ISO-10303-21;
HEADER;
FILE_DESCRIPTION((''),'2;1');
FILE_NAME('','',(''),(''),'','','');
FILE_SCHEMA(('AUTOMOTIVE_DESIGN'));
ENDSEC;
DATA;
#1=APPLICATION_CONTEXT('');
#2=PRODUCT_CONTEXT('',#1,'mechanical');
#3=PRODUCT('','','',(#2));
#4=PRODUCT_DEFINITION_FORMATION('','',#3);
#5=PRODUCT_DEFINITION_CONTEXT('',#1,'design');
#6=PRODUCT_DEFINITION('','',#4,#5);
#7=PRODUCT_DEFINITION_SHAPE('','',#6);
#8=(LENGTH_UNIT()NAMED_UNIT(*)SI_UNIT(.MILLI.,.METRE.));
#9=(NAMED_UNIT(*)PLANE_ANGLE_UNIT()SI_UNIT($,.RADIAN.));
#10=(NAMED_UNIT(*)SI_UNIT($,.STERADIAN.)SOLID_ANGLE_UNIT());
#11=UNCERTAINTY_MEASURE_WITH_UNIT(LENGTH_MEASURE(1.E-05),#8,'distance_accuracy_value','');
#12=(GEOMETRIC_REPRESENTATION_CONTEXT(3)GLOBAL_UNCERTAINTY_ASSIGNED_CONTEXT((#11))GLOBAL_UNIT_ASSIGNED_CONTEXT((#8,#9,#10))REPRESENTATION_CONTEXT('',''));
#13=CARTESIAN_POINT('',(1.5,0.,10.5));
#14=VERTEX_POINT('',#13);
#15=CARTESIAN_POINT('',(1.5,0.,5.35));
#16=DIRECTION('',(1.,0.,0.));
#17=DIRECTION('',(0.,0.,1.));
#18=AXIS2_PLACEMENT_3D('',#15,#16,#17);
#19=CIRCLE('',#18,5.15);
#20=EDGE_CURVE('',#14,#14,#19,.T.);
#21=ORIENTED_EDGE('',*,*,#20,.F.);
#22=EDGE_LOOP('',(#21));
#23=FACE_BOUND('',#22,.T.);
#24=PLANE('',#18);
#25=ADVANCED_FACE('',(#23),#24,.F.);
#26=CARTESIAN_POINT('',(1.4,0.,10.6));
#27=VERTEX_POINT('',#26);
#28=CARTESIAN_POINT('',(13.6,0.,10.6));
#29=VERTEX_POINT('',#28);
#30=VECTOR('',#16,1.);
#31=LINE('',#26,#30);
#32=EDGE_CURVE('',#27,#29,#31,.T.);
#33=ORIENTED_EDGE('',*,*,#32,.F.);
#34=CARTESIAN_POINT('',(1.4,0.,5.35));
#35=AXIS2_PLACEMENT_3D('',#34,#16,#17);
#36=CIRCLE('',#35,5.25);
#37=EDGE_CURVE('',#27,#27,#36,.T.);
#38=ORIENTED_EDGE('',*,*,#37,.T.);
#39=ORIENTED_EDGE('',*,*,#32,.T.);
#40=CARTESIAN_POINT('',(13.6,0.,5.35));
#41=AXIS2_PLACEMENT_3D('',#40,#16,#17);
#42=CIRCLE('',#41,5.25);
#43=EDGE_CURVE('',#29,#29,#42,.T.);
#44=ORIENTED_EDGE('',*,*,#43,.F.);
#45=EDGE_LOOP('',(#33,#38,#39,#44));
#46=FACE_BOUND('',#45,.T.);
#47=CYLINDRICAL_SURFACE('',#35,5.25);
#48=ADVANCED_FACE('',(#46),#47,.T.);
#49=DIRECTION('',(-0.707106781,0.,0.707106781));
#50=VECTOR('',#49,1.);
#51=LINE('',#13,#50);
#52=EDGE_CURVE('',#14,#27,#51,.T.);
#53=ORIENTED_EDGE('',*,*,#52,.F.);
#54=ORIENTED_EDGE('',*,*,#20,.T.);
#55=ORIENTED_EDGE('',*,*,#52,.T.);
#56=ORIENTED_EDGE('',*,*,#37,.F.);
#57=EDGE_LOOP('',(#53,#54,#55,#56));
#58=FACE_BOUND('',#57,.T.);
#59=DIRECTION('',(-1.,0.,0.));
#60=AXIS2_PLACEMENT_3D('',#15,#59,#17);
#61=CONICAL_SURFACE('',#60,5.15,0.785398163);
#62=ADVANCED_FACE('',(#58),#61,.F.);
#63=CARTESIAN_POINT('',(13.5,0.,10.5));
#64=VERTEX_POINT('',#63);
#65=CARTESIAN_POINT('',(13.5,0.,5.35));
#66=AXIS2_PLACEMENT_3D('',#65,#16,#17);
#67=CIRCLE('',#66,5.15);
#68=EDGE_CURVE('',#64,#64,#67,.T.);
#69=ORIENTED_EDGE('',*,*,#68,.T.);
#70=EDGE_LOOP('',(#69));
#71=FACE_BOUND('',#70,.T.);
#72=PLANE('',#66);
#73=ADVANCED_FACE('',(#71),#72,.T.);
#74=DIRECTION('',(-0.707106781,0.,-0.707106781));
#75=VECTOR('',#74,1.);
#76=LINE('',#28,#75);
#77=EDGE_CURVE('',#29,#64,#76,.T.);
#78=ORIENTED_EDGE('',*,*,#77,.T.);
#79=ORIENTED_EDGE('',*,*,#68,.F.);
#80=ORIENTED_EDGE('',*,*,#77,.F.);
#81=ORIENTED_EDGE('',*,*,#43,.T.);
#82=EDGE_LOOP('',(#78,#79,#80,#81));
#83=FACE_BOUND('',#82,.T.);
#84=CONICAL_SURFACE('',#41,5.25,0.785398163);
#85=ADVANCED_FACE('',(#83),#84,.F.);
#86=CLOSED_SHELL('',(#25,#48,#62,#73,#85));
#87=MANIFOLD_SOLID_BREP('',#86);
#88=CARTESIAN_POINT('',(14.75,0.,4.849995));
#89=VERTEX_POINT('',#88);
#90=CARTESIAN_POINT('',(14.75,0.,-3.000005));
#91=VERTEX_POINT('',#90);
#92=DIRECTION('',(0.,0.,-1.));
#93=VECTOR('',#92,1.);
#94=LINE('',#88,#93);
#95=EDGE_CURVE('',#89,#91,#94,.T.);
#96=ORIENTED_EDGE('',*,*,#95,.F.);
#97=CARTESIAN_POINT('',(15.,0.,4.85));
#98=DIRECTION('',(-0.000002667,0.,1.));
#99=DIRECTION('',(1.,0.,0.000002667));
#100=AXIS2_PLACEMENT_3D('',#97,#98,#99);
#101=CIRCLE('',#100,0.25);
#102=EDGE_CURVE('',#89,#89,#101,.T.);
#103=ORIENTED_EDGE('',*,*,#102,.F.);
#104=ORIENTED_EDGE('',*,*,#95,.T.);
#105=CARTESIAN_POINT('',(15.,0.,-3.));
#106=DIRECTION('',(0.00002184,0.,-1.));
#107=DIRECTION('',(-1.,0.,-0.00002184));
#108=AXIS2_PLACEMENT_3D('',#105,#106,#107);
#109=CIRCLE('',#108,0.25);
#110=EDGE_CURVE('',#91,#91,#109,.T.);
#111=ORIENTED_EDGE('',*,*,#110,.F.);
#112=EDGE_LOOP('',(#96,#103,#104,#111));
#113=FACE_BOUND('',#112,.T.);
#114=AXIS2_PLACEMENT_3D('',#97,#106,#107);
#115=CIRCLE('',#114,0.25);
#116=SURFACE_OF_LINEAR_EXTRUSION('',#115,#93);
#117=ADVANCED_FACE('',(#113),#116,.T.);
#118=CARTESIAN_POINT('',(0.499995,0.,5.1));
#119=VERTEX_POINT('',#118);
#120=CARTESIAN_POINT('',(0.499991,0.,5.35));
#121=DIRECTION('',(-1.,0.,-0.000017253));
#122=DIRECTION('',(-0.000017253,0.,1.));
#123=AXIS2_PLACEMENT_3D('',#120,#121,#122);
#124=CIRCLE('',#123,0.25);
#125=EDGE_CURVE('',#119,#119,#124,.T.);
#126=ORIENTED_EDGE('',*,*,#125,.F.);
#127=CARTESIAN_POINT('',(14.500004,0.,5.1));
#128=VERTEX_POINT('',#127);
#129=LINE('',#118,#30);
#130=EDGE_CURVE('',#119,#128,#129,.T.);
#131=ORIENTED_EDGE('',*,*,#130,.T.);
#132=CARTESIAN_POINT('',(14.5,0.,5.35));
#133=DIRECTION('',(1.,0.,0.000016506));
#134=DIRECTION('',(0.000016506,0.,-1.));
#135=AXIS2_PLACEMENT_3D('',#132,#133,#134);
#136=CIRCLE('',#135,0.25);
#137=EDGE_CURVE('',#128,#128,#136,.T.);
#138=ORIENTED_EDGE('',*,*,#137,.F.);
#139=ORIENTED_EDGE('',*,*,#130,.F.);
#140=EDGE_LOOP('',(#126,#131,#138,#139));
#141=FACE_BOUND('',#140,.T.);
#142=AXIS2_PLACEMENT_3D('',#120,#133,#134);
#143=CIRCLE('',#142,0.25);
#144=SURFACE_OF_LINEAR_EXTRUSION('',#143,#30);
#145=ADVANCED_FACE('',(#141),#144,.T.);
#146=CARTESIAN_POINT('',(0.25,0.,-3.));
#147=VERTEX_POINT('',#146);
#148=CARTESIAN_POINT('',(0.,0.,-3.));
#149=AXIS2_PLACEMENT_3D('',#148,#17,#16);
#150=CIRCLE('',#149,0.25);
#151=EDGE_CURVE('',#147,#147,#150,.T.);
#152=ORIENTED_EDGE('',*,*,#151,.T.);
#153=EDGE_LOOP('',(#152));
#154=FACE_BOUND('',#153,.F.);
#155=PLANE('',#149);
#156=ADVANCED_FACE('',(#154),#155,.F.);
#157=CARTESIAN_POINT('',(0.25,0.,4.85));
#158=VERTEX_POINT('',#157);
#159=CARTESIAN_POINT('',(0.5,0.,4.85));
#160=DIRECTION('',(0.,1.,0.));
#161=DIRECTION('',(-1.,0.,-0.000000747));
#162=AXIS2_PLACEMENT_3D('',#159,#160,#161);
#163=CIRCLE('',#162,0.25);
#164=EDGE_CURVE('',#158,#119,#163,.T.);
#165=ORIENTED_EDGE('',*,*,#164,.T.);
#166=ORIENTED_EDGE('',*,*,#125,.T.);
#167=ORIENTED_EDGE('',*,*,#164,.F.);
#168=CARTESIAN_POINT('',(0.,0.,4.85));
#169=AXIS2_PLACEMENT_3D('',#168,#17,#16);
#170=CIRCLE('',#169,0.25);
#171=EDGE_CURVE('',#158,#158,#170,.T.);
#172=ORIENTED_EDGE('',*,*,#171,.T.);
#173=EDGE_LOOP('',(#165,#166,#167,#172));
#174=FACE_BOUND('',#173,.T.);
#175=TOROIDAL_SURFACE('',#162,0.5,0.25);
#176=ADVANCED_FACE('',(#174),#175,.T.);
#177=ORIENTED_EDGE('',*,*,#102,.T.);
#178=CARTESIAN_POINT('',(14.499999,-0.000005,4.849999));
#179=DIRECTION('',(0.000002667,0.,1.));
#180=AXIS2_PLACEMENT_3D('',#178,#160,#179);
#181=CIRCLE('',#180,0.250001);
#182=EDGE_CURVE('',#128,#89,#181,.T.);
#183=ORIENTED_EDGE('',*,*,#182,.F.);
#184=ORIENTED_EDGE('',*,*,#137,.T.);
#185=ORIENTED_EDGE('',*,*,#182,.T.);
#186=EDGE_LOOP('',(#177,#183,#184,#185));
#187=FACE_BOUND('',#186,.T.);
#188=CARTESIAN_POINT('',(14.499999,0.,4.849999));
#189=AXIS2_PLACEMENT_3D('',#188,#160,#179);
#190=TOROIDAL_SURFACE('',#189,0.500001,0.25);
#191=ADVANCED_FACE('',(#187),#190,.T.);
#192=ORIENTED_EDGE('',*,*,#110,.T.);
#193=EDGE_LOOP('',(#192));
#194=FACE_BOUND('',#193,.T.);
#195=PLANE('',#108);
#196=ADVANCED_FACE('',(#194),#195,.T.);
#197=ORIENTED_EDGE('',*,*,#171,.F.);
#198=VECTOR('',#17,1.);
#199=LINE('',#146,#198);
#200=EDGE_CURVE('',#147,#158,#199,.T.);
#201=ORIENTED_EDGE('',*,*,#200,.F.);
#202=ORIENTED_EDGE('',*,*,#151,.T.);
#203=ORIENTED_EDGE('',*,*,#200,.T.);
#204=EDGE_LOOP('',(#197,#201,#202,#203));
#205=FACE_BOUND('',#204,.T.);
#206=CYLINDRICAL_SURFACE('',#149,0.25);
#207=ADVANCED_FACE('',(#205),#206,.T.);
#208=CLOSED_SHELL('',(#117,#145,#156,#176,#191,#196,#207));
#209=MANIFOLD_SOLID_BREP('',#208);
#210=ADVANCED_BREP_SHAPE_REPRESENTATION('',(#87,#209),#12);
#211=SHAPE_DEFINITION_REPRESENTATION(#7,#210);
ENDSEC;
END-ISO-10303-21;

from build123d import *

# Parameters (mm, degrees)
SKETCH_R = 0.25


with BuildPart() as sweep_body:
    # Sweep: sweep along a path in Sketch001
    with BuildLine(Plane.XZ) as sweep_path:
        Line((0, -3), (0, 4.85))
        ThreePointArc((0, 4.85), (0.146443, 5.20355), (0.499991, 5.35))
        Line((0.499991, 5.35), (14.5, 5.35))
        ThreePointArc((14.5, 5.35), (14.853553, 5.203553), (15, 4.85))
        Line((15, 4.85), (15, -3))
    # Sketch → Sweep (sweep)
    with BuildSketch(Plane.XY.offset(-2)):
        Circle(SKETCH_R)
    sweep(path=sweep_path.line)


with BuildPart() as revolution:
    # Sketch002 → Revolution (revolve)
    with BuildSketch(Plane.XZ):
        Polygon((1.4, 10.6), (13.6, 10.6), (13.5, 10.5), (13.5, 5.35), (1.5, 5.35), (1.5, 10.5), align=None)
    revolve(axis=Axis((7.611803, 0, 5.35), (1, 0, 0)))


solid = Compound([sweep_body.part, revolution.part])
